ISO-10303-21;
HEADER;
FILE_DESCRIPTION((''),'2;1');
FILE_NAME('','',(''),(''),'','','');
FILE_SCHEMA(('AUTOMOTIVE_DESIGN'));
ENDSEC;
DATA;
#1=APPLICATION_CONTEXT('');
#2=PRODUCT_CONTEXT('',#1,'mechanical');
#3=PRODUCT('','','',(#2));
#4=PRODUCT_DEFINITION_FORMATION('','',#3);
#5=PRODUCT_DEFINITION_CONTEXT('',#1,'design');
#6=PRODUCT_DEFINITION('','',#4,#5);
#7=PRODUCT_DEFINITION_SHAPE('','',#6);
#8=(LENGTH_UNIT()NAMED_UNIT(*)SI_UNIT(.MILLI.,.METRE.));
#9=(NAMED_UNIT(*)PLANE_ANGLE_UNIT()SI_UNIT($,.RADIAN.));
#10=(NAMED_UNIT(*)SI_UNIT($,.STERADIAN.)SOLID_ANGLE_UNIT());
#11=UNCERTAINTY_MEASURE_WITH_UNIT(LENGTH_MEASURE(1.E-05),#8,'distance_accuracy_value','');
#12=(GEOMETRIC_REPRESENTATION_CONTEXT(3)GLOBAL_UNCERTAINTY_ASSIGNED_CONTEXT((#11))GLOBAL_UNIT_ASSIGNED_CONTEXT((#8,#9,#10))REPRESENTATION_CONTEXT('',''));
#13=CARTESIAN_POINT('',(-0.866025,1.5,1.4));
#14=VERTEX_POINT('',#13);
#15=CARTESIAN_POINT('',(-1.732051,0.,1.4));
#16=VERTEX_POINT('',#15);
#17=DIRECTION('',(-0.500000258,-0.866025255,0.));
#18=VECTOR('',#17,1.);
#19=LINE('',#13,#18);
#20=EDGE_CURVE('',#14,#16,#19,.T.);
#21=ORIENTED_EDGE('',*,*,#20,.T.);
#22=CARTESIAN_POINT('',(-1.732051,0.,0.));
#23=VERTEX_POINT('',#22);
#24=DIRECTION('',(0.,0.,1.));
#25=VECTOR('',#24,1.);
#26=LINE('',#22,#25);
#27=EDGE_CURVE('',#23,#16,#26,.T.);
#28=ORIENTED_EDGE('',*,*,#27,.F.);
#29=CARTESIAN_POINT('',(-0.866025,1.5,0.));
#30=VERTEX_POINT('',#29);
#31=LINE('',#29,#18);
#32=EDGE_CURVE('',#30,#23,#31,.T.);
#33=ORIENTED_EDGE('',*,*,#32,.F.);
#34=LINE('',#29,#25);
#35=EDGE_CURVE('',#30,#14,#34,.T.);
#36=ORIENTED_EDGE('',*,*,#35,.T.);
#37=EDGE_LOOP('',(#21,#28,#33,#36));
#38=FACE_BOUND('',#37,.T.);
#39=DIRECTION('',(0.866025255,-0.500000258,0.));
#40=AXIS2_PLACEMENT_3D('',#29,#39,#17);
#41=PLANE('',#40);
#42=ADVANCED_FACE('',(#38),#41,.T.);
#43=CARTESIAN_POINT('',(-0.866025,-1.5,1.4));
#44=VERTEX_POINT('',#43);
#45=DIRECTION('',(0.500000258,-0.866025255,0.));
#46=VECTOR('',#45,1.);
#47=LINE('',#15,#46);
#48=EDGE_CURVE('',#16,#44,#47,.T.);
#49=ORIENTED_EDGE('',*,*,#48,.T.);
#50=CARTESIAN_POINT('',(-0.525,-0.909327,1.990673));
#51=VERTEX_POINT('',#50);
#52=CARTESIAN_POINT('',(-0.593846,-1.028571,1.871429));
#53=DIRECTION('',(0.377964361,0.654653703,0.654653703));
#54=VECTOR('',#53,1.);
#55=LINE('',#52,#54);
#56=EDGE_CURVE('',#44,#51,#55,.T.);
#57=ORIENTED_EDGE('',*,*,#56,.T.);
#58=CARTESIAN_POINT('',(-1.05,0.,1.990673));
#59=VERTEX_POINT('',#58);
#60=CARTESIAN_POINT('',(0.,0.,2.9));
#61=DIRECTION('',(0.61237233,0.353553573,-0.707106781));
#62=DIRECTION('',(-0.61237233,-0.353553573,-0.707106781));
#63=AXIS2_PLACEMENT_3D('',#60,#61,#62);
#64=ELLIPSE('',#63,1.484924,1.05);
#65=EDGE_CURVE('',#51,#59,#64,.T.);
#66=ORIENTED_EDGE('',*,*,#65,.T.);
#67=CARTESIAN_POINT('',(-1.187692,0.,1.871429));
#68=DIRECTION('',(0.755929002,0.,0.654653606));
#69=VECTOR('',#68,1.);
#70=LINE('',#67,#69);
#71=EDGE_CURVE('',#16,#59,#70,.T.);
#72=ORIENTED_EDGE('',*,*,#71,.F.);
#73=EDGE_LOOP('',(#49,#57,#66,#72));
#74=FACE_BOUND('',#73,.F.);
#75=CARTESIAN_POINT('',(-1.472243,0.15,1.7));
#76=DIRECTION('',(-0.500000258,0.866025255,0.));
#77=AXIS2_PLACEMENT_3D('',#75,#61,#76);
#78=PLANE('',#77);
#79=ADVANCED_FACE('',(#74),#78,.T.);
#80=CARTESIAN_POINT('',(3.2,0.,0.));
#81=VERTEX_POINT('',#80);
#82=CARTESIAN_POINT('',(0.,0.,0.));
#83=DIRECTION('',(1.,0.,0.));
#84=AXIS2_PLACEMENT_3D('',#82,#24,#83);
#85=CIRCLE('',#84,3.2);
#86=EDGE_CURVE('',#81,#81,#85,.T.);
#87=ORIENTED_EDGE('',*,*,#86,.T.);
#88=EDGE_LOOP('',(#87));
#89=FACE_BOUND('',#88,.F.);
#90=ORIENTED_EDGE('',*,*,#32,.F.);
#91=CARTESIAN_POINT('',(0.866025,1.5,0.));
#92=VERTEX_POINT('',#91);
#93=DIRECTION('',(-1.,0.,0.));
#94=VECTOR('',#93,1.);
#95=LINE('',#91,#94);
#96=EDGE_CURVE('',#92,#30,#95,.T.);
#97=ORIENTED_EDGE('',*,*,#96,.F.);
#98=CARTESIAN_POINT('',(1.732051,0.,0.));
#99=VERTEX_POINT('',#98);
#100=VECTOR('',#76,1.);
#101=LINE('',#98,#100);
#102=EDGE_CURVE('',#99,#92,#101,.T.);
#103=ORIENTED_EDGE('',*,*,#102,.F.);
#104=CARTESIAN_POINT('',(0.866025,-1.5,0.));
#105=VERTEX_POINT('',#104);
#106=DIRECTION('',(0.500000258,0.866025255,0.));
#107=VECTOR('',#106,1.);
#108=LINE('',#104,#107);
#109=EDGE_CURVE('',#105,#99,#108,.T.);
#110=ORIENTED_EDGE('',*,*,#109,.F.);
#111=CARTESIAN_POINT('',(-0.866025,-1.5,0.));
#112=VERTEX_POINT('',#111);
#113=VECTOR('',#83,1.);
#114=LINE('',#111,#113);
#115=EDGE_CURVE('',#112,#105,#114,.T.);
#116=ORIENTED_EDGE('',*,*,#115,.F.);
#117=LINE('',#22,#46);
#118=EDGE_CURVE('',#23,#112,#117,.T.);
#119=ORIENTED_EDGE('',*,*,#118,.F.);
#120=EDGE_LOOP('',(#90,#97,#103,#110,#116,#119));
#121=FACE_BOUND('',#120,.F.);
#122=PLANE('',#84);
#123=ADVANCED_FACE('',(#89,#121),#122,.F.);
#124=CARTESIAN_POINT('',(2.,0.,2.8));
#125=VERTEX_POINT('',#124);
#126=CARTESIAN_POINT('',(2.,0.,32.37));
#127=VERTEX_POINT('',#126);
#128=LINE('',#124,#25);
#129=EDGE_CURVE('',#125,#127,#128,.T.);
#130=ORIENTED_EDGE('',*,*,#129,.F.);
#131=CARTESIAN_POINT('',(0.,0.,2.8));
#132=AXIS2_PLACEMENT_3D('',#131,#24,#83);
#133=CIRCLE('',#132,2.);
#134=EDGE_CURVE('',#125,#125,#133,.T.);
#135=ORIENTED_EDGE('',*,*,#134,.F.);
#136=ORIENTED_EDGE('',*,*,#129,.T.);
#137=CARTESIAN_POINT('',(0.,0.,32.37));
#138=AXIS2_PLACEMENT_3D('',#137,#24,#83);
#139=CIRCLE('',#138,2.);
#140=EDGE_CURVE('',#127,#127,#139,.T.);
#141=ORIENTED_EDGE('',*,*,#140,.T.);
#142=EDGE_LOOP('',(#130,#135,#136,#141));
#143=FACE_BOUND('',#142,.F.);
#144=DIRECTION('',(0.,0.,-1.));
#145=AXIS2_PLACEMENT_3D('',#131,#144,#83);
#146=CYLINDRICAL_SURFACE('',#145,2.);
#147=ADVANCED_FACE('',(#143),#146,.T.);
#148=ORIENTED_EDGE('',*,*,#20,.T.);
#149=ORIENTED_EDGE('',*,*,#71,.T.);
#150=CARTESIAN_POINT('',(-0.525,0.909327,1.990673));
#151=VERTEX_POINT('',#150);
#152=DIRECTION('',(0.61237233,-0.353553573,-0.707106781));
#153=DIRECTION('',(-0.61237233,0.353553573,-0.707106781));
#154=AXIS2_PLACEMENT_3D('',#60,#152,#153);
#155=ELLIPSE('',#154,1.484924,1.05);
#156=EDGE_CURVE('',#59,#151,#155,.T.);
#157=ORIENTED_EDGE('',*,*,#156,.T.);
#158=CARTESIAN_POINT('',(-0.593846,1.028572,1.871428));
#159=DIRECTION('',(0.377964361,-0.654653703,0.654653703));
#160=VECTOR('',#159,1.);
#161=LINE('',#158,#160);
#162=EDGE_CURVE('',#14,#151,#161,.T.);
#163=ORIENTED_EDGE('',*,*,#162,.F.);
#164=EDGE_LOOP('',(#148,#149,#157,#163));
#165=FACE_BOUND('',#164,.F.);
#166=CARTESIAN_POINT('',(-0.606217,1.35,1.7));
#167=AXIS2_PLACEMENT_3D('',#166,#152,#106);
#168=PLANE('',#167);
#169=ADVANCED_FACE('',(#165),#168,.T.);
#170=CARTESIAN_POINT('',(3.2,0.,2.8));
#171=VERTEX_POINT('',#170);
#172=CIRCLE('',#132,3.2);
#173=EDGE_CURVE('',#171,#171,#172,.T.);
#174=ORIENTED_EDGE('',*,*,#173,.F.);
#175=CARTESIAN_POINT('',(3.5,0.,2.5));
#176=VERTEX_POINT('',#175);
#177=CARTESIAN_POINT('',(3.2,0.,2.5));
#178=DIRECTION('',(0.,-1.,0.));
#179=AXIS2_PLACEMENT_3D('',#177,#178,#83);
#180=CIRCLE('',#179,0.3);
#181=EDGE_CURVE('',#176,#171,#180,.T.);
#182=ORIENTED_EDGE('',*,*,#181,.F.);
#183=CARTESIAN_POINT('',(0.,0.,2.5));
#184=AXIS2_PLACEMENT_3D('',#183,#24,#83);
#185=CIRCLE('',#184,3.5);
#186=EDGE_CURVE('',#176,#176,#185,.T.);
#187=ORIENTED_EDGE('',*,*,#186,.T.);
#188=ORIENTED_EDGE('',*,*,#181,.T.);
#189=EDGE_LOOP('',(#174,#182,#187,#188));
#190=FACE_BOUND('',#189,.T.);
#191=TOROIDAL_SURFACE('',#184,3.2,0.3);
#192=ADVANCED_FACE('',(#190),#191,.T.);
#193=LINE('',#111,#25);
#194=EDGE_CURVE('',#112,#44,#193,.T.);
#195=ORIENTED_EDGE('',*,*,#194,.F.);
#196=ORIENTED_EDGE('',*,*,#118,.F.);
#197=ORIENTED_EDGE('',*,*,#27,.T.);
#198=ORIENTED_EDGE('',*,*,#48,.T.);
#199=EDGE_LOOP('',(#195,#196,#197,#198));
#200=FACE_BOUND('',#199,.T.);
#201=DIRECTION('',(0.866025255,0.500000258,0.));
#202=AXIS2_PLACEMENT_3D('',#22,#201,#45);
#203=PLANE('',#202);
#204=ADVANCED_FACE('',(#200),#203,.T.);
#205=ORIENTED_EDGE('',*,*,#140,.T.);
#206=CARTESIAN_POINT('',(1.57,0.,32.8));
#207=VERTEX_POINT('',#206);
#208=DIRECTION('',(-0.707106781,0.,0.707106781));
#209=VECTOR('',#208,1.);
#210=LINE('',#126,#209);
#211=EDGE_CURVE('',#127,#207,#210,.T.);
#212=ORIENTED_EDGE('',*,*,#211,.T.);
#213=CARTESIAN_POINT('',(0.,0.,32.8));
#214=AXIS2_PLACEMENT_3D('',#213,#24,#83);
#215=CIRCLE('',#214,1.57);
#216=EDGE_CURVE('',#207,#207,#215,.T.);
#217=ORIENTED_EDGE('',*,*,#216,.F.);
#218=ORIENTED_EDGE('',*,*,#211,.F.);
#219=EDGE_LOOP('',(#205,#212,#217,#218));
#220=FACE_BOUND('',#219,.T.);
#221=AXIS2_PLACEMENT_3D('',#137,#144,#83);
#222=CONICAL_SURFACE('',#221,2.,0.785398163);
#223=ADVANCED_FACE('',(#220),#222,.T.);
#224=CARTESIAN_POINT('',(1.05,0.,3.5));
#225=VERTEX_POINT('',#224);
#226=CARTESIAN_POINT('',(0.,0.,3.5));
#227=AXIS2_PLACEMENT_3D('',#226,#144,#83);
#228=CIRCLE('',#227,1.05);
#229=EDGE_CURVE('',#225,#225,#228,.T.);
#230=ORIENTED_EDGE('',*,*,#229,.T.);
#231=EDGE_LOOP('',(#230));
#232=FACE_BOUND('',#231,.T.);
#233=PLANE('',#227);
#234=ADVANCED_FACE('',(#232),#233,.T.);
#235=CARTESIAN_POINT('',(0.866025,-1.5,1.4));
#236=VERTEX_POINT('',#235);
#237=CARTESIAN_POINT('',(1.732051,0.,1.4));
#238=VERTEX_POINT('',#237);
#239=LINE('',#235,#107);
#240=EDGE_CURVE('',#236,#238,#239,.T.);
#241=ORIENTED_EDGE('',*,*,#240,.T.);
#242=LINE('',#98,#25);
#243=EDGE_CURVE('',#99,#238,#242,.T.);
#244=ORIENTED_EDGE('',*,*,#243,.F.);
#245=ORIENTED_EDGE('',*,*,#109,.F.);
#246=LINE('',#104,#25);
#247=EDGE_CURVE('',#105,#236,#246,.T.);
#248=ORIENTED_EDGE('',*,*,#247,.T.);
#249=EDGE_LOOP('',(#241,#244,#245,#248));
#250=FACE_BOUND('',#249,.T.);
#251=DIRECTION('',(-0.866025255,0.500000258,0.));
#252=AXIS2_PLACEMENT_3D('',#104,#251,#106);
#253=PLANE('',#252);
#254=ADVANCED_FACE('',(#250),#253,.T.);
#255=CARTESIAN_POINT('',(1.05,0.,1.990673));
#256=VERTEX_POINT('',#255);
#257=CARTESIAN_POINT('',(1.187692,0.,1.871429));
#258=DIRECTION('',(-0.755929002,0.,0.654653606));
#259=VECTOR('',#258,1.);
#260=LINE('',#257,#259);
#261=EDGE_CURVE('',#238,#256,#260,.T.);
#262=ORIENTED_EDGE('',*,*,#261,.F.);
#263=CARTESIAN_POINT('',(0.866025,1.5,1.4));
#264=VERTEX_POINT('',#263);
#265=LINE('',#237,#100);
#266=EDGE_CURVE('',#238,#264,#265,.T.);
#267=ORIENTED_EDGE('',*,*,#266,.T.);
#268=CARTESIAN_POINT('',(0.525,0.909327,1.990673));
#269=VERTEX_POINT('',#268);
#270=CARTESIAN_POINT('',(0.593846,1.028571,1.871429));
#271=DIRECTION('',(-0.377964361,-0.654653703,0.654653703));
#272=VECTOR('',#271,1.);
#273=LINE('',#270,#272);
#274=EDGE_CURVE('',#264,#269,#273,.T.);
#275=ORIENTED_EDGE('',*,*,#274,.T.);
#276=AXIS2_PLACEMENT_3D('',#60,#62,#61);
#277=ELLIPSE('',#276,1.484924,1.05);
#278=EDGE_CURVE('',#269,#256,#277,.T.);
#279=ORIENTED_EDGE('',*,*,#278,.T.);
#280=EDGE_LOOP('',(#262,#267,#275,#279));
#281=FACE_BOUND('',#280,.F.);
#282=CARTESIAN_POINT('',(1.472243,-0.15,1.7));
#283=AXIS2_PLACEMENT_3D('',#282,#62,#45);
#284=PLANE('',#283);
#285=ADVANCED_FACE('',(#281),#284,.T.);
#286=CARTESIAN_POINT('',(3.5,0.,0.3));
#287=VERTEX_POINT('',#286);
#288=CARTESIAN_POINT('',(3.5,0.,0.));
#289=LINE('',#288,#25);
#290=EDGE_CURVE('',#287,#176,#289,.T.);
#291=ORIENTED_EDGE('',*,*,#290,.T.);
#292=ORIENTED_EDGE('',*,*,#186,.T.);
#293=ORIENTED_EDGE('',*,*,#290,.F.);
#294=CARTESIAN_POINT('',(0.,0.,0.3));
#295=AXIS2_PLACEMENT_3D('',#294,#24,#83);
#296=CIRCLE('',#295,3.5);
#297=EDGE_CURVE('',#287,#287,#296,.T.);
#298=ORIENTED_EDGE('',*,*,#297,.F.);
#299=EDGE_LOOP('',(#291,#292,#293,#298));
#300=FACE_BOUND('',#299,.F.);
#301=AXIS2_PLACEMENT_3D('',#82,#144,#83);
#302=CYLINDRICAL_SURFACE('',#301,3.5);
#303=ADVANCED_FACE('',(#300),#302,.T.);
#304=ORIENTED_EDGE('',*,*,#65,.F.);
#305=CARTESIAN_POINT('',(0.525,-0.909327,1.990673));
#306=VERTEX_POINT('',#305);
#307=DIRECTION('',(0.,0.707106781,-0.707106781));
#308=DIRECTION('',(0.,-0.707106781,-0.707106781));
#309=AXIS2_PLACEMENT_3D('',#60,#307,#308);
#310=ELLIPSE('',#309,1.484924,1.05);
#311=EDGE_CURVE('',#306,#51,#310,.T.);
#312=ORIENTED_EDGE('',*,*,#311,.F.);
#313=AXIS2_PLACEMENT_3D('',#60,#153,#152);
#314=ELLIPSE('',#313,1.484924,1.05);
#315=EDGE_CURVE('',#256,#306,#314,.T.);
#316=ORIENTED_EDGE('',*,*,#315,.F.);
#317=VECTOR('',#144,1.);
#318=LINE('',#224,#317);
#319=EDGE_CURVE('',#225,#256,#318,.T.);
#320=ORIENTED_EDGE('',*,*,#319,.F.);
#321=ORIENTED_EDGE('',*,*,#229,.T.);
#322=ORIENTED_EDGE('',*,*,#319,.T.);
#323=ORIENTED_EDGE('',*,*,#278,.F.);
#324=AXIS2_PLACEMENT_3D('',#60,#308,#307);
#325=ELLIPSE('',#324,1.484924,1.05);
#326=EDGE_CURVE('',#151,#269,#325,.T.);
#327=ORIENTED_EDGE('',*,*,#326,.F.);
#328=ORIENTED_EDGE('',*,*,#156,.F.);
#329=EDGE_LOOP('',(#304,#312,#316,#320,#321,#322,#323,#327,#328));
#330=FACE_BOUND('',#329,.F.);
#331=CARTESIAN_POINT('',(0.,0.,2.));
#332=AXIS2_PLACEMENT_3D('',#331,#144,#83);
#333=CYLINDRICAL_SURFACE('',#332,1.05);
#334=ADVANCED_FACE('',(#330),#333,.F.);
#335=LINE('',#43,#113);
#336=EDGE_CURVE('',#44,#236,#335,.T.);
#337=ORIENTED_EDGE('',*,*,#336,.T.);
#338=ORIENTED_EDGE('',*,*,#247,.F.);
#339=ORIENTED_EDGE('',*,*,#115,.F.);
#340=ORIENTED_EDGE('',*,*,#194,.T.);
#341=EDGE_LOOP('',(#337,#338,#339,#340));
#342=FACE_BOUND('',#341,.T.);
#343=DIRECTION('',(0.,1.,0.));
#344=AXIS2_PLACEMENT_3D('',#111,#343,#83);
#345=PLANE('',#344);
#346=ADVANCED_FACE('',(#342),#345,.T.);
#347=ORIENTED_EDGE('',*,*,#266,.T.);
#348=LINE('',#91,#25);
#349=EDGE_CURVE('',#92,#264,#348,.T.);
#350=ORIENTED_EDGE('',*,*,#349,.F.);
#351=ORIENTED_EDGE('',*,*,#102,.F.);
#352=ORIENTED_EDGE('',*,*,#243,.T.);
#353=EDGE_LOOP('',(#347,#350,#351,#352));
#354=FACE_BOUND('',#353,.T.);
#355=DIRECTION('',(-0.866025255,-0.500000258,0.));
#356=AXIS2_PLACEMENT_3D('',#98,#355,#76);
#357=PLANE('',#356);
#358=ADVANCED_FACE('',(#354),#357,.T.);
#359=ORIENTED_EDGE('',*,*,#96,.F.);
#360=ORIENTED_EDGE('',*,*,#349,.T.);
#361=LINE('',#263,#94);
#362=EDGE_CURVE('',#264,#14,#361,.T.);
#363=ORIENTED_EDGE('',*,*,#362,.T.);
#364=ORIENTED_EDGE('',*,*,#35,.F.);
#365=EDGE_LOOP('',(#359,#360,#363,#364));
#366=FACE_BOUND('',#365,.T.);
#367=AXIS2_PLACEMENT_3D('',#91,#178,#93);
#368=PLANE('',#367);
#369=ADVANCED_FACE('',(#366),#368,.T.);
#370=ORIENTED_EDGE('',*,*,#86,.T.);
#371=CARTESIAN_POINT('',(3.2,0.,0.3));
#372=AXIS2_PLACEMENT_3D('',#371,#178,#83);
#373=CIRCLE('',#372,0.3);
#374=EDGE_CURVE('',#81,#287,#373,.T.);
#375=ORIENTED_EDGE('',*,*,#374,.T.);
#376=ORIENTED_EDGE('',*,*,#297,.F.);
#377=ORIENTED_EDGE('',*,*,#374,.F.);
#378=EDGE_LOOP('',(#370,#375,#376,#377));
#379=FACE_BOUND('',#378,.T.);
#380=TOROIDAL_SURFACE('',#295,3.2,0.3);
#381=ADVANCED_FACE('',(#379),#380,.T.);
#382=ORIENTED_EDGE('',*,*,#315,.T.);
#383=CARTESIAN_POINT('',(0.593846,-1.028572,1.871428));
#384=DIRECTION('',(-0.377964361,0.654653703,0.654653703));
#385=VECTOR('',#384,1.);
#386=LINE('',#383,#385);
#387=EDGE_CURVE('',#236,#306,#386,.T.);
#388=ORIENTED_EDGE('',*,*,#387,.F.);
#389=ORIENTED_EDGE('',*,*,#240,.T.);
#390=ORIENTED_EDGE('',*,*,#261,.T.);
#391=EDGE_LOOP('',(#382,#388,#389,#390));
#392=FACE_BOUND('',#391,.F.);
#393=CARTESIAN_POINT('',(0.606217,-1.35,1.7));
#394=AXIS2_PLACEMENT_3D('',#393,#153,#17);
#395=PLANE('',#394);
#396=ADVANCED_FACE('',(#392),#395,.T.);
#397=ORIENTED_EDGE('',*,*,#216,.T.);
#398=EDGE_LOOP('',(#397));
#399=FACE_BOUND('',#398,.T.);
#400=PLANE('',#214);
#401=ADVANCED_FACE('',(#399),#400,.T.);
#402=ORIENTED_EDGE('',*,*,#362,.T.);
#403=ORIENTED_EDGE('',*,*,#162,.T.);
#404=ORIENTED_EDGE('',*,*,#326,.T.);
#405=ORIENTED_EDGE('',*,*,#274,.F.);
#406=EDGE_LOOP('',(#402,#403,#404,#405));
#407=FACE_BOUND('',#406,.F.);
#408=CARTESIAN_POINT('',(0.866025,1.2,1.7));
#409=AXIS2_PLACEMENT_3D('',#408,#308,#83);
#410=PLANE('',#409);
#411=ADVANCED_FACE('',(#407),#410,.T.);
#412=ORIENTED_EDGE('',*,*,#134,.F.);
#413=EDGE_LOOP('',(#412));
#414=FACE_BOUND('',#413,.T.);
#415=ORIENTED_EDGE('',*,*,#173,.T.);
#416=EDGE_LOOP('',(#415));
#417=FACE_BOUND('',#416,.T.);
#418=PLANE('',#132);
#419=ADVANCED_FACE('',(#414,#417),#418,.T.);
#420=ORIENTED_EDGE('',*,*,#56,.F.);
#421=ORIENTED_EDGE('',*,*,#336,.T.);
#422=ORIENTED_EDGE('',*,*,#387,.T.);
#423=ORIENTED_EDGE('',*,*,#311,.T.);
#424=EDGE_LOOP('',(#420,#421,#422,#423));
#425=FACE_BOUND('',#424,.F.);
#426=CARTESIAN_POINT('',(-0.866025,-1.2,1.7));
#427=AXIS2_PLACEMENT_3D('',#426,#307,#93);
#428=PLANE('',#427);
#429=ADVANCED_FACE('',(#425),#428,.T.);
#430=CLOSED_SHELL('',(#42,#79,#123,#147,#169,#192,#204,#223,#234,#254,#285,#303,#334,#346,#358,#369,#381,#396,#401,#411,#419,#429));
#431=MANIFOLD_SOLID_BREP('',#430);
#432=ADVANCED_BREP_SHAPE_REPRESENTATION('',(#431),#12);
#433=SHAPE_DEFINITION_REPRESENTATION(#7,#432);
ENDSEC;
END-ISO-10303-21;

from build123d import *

# Parameters (mm, degrees)
SKETCH_R        = 3.5
PAD_DEPTH       = 2.8
SKETCH001_R     = 2
PAD001_DEPTH    = 30
CHAMFER_SIZE    = 0.43
POCKET_DEPTH    = 2
CHAMFER001_SIZE = 0.6
SKETCH003_R     = 1.05
POCKET001_DEPTH = 1.5
FILLET_R        = 0.3


with BuildPart() as part:
    # Sketch → Pad (new body)
    with BuildSketch(Plane.XY):
        Circle(SKETCH_R)
    extrude(amount=PAD_DEPTH)

    # Sketch001 → Pad001 (new body)
    with BuildSketch(Plane.XY.offset(2.8)):
        Circle(SKETCH001_R)
    extrude(amount=PAD001_DEPTH)

    # Chamfer
    chamfer_edges = [part.edges().sort_by_distance(p)[0] for p in [
        (-2, 0, 32.8),
    ]]
    chamfer(chamfer_edges, length=CHAMFER_SIZE)

    # Sketch002 → Pocket (cut)
    with BuildSketch(Plane(origin=(0, 0, 0), x_dir=(1, 0, 0), z_dir=(0, 0, -1))):
        Polygon((-0.866025, 1.5), (0.866025, 1.5), (1.732051, 0), (0.866025, -1.5), (-0.866025, -1.5), (-1.732051, 0), align=None)
    extrude(amount=-POCKET_DEPTH, mode=Mode.SUBTRACT)

    # Chamfer001
    chamfer001_edges = [part.edges().sort_by_distance(p)[0] for p in [
        (0, -1.5, 2),
        (1.299038, -0.75, 2),
        (1.299038, 0.75, 2),
        (0, 1.5, 2),
        (-1.299038, 0.75, 2),
        (-1.299038, -0.75, 2),
    ]]
    chamfer(chamfer001_edges, length=CHAMFER001_SIZE)

    # Sketch003 → Pocket001 (cut, symmetric)
    with BuildSketch(Plane(origin=(0, 0, 2), x_dir=(1, 0, 0), z_dir=(0, 0, -1))):
        Circle(SKETCH003_R)
    extrude(amount=POCKET001_DEPTH, both=True, mode=Mode.SUBTRACT)

    # Fillet
    fillet_edges = [part.edges().sort_by_distance(p)[0] for p in [
        (-3.5, 0, 0),
        (-3.5, 0, 2.8),
    ]]
    fillet(fillet_edges, radius=FILLET_R)


solid = part.part
